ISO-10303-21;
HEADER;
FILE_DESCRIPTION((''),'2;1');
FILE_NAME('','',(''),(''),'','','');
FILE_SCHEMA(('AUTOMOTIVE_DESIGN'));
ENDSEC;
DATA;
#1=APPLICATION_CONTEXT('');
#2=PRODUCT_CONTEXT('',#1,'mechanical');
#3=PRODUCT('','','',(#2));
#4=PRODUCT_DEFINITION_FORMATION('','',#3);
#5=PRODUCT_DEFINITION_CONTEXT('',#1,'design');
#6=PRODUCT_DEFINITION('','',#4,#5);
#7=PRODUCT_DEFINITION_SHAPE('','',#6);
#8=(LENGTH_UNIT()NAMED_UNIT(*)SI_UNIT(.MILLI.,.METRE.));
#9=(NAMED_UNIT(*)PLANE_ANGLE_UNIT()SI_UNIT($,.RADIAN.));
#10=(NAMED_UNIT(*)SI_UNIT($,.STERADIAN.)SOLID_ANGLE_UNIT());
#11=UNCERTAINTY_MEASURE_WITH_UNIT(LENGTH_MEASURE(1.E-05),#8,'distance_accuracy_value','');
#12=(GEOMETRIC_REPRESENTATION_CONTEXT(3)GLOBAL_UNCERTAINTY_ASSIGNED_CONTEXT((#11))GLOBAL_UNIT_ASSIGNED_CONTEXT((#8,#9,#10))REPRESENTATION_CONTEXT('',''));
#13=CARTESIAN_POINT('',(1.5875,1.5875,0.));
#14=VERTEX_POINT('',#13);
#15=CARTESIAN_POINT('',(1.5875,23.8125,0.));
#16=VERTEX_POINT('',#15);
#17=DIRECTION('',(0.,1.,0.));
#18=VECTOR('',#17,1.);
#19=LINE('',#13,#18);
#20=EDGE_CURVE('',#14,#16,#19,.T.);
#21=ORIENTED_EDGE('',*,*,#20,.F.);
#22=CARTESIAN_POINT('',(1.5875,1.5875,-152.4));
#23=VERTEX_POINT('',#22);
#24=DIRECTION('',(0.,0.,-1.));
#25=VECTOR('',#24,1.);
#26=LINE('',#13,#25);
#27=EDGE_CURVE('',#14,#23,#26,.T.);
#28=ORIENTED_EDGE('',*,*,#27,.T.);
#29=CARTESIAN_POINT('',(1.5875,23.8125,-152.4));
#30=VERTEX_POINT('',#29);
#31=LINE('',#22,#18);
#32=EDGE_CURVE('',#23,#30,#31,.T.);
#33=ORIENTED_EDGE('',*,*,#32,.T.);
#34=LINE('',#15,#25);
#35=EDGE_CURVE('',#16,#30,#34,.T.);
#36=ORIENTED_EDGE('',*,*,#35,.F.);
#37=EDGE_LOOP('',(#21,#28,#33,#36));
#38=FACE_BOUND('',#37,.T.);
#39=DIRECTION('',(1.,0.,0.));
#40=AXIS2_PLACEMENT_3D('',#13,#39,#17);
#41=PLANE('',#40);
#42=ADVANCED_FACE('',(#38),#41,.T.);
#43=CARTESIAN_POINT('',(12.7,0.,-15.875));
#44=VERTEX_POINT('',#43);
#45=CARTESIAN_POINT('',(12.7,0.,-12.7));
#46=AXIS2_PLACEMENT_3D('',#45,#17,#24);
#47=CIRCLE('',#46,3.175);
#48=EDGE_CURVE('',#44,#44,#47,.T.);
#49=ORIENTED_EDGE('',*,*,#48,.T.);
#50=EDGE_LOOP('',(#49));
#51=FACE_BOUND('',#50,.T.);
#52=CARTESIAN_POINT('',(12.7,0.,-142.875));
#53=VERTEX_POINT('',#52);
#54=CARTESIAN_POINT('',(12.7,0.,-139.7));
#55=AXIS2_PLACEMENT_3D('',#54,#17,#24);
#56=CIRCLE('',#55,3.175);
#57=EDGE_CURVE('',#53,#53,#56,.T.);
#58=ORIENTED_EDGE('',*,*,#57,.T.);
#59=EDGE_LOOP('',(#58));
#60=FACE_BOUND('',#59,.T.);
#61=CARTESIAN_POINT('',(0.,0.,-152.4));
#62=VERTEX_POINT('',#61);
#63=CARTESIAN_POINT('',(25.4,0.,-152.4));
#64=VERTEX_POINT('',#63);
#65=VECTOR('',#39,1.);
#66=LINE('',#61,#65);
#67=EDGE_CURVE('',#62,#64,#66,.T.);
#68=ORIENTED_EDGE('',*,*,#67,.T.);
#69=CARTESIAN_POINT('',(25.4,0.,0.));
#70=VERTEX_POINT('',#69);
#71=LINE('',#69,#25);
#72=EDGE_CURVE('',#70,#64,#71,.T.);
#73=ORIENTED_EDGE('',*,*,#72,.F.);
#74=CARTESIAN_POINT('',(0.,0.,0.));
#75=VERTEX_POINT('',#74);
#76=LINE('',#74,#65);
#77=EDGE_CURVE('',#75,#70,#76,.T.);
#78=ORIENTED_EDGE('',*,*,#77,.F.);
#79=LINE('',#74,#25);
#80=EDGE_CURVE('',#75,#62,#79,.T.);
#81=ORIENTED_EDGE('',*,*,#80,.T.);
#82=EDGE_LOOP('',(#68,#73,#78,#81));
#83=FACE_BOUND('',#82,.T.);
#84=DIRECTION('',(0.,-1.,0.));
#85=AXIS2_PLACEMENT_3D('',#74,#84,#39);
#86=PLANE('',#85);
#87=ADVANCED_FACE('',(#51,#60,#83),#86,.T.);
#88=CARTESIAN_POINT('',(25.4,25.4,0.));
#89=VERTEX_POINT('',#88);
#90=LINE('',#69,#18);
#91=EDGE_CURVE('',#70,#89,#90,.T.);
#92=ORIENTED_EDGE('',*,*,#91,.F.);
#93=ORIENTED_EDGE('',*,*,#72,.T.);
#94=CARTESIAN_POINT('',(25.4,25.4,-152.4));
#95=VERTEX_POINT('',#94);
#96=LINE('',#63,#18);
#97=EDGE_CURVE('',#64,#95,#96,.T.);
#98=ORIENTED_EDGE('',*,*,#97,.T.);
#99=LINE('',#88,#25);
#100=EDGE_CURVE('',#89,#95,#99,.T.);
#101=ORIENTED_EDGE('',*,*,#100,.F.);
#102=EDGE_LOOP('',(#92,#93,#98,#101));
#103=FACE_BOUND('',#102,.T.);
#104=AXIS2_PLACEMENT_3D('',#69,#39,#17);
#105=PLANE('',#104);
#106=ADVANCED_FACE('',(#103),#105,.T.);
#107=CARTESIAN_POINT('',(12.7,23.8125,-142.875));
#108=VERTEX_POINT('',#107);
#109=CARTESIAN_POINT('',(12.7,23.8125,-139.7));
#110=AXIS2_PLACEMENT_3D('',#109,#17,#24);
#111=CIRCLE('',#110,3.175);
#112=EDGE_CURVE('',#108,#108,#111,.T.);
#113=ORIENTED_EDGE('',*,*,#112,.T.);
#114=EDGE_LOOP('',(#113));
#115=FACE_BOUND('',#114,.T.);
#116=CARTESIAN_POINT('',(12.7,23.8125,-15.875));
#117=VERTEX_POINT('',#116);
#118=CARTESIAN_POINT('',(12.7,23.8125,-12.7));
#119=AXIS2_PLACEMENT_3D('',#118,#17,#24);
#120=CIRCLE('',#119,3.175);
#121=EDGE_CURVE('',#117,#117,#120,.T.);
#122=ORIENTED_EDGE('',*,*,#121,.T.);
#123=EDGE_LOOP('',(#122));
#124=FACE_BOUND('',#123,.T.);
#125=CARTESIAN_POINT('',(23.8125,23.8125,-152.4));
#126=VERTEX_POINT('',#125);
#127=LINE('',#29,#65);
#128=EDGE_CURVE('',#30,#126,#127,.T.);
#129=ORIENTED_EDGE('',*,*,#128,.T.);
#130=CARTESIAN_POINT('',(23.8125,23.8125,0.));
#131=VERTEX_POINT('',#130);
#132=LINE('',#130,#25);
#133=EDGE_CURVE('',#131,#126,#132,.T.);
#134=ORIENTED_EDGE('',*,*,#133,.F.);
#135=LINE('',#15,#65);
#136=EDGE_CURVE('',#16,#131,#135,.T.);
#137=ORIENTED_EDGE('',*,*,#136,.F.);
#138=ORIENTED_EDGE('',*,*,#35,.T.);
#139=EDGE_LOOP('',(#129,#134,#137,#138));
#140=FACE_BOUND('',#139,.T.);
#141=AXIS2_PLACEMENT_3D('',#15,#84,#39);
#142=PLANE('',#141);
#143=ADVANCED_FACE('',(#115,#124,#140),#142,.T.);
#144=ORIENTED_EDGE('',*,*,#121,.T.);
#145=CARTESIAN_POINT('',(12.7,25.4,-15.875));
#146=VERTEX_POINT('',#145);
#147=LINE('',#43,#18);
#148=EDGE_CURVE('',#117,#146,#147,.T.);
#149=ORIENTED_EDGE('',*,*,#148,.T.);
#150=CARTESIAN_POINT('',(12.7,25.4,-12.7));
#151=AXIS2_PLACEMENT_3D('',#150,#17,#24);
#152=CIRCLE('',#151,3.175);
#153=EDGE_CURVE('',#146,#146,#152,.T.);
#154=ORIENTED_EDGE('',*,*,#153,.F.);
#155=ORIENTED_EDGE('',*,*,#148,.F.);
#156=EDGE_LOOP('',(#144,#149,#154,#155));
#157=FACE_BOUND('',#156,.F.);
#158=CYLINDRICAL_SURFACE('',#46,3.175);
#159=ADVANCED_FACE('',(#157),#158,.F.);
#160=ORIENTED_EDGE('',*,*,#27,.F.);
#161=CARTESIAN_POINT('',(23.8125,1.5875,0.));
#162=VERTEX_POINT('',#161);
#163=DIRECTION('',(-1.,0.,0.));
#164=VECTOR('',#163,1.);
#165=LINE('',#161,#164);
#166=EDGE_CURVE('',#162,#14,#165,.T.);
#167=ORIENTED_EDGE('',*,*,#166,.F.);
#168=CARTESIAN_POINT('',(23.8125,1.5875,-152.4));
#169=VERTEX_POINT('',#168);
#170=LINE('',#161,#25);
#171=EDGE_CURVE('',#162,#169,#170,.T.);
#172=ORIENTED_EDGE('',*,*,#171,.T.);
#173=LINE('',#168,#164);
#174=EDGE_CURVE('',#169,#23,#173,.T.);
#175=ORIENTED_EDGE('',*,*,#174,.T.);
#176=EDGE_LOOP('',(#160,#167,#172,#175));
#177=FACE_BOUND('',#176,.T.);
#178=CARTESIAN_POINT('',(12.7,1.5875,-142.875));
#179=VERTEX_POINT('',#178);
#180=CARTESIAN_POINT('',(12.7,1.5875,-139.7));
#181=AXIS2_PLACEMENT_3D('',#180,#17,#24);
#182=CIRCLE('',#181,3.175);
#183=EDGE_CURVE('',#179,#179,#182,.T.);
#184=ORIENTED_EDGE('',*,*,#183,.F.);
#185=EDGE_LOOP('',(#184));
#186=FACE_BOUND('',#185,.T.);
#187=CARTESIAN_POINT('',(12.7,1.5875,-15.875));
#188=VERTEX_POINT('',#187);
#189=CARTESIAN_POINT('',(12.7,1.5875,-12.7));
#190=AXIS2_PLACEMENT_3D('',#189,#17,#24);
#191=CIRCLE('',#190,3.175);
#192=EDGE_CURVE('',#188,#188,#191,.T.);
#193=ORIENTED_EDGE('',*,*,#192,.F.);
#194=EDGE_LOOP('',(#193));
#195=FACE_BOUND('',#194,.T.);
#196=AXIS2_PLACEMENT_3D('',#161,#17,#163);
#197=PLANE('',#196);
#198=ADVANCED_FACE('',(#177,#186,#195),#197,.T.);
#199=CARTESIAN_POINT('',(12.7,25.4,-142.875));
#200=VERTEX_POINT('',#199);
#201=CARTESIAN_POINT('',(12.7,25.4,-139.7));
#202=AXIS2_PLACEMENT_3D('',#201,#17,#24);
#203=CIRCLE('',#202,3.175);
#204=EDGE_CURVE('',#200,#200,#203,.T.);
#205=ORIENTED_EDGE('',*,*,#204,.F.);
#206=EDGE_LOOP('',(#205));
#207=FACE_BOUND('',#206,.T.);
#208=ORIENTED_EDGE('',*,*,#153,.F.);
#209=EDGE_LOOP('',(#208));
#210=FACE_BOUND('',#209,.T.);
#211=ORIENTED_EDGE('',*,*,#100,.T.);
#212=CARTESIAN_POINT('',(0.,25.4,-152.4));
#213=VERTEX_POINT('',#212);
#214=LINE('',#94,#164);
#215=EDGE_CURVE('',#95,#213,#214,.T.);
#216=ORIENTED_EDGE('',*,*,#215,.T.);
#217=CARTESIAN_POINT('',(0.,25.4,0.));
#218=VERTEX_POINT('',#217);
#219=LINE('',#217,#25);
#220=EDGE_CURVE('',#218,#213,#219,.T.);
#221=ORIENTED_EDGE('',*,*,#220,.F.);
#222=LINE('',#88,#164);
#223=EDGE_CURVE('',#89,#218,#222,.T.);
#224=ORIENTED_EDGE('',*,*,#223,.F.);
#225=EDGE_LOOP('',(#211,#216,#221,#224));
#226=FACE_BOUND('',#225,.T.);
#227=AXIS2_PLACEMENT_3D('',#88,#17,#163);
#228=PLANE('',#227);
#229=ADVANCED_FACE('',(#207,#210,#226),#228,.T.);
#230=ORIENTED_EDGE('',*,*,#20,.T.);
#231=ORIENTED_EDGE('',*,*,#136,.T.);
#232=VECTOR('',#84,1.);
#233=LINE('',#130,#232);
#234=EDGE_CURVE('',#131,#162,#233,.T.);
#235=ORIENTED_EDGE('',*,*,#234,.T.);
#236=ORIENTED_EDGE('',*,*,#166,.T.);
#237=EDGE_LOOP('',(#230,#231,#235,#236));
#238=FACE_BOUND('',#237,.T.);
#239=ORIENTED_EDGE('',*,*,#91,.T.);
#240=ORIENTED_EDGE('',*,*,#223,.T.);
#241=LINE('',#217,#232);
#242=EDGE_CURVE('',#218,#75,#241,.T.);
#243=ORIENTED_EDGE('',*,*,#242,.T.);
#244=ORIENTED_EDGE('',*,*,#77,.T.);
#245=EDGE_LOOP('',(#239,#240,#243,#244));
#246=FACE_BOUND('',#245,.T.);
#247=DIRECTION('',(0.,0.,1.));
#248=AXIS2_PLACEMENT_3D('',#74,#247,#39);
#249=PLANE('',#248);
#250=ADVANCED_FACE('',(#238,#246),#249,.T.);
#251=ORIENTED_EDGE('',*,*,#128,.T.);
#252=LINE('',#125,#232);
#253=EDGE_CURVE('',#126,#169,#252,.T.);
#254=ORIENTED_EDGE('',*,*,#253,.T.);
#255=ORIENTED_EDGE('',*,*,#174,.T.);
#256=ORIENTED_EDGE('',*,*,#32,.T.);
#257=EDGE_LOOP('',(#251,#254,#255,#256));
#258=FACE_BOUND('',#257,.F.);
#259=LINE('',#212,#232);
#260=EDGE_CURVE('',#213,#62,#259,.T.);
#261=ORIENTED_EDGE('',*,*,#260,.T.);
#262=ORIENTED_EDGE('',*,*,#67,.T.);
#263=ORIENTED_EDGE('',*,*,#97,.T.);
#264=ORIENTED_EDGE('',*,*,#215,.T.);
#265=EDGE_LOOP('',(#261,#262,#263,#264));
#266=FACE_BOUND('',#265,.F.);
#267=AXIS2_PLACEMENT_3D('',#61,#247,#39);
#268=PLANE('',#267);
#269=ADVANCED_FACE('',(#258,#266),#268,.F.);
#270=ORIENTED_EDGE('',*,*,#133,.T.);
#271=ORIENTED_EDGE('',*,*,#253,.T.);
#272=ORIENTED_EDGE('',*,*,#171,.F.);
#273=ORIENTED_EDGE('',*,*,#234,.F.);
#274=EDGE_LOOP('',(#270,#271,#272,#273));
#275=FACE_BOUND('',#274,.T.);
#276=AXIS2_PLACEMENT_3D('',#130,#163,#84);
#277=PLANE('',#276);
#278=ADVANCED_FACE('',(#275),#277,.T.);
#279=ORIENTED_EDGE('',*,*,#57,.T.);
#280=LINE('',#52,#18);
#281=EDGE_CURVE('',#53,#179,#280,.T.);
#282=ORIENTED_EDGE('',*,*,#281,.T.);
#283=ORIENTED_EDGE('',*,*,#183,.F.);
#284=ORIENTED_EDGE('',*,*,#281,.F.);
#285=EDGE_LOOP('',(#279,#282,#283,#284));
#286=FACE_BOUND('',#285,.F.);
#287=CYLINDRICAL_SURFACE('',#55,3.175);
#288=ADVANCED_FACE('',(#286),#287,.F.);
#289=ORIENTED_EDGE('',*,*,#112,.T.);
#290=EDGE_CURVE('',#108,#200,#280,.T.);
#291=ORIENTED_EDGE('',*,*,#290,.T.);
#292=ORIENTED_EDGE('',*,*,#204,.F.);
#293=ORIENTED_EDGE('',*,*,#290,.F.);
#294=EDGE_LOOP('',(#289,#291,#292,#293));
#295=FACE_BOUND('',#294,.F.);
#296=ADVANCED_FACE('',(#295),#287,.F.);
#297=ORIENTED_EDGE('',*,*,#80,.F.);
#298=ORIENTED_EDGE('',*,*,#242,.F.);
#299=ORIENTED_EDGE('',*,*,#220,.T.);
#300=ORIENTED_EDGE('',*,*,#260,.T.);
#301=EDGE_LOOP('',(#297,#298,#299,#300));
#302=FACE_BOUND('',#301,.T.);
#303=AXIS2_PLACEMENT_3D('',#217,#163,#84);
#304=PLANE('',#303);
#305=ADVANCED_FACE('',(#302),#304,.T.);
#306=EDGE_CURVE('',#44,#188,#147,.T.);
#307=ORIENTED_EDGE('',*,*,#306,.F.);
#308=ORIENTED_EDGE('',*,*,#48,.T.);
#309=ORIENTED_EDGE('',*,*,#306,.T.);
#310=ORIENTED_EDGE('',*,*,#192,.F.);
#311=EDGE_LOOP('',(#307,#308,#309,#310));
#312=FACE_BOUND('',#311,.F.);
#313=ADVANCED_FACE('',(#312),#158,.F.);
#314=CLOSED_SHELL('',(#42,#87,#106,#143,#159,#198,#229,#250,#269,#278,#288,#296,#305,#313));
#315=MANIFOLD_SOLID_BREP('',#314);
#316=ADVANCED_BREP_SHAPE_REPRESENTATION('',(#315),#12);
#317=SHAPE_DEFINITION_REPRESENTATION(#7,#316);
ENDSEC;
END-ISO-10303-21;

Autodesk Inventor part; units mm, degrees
ref_plane "YZ Plane" through (0, 0, 0) normal (1, 0, 0) x (0, 1, 0)
ref_plane "XZ Plane" through (0, 0, 0) normal (0, 1, 0) x (-1, 0, 0)
ref_plane "XY Plane" through (0, 0, 0) normal (0, 0, 1) x (1, 0, 0)
sketch "Sketch1" plane through (0, 0, 0) normal (0, 0, 1) x (1, 0, 0)
  line L0 (0, 0) -> (25.4, 0)
  line L1 (25.4, 0) -> (25.4, 25.4)
  line L2 (25.4, 25.4) -> (0, 25.4)
  line L3 (0, 25.4) -> (0, 0)
  line L4 (1.5875, 23.8125) -> (23.8125, 23.8125)
  line L5 (23.8125, 23.8125) -> (23.8125, 1.5875)
  line L6 (23.8125, 1.5875) -> (1.5875, 1.5875)
  line L7 (1.5875, 1.5875) -> (1.5875, 23.8125)
  dimension "d0" = 25.4
  dimension "d1" = 25.4
  dimension "d2" = 1.5875
extrude "Extrusion1" add sketch "Sketch1" against normal blind 152.4
sketch "Sketch3" plane through (0, 0, 0) normal (0, -1, 0) x (1, 0, 0)
  line L0 (0, -152.4) -> (25.4, -152.4) projected
  line L1 (0, 0) -> (25.4, 0) projected
  point P0 (12.7, -12.7)
  point P1 (12.7, -139.7)
  dimension "d7" = 12.7
  dimension "d8" = 12.7
hole "Hole2" at (12.7, 0, -12.7) at (12.7, 0, -139.7) direction (0, 1, 0) diameter 6.35 depth 25.4 tip angle 118
properties part number "tube_b_l_out_wheel"
